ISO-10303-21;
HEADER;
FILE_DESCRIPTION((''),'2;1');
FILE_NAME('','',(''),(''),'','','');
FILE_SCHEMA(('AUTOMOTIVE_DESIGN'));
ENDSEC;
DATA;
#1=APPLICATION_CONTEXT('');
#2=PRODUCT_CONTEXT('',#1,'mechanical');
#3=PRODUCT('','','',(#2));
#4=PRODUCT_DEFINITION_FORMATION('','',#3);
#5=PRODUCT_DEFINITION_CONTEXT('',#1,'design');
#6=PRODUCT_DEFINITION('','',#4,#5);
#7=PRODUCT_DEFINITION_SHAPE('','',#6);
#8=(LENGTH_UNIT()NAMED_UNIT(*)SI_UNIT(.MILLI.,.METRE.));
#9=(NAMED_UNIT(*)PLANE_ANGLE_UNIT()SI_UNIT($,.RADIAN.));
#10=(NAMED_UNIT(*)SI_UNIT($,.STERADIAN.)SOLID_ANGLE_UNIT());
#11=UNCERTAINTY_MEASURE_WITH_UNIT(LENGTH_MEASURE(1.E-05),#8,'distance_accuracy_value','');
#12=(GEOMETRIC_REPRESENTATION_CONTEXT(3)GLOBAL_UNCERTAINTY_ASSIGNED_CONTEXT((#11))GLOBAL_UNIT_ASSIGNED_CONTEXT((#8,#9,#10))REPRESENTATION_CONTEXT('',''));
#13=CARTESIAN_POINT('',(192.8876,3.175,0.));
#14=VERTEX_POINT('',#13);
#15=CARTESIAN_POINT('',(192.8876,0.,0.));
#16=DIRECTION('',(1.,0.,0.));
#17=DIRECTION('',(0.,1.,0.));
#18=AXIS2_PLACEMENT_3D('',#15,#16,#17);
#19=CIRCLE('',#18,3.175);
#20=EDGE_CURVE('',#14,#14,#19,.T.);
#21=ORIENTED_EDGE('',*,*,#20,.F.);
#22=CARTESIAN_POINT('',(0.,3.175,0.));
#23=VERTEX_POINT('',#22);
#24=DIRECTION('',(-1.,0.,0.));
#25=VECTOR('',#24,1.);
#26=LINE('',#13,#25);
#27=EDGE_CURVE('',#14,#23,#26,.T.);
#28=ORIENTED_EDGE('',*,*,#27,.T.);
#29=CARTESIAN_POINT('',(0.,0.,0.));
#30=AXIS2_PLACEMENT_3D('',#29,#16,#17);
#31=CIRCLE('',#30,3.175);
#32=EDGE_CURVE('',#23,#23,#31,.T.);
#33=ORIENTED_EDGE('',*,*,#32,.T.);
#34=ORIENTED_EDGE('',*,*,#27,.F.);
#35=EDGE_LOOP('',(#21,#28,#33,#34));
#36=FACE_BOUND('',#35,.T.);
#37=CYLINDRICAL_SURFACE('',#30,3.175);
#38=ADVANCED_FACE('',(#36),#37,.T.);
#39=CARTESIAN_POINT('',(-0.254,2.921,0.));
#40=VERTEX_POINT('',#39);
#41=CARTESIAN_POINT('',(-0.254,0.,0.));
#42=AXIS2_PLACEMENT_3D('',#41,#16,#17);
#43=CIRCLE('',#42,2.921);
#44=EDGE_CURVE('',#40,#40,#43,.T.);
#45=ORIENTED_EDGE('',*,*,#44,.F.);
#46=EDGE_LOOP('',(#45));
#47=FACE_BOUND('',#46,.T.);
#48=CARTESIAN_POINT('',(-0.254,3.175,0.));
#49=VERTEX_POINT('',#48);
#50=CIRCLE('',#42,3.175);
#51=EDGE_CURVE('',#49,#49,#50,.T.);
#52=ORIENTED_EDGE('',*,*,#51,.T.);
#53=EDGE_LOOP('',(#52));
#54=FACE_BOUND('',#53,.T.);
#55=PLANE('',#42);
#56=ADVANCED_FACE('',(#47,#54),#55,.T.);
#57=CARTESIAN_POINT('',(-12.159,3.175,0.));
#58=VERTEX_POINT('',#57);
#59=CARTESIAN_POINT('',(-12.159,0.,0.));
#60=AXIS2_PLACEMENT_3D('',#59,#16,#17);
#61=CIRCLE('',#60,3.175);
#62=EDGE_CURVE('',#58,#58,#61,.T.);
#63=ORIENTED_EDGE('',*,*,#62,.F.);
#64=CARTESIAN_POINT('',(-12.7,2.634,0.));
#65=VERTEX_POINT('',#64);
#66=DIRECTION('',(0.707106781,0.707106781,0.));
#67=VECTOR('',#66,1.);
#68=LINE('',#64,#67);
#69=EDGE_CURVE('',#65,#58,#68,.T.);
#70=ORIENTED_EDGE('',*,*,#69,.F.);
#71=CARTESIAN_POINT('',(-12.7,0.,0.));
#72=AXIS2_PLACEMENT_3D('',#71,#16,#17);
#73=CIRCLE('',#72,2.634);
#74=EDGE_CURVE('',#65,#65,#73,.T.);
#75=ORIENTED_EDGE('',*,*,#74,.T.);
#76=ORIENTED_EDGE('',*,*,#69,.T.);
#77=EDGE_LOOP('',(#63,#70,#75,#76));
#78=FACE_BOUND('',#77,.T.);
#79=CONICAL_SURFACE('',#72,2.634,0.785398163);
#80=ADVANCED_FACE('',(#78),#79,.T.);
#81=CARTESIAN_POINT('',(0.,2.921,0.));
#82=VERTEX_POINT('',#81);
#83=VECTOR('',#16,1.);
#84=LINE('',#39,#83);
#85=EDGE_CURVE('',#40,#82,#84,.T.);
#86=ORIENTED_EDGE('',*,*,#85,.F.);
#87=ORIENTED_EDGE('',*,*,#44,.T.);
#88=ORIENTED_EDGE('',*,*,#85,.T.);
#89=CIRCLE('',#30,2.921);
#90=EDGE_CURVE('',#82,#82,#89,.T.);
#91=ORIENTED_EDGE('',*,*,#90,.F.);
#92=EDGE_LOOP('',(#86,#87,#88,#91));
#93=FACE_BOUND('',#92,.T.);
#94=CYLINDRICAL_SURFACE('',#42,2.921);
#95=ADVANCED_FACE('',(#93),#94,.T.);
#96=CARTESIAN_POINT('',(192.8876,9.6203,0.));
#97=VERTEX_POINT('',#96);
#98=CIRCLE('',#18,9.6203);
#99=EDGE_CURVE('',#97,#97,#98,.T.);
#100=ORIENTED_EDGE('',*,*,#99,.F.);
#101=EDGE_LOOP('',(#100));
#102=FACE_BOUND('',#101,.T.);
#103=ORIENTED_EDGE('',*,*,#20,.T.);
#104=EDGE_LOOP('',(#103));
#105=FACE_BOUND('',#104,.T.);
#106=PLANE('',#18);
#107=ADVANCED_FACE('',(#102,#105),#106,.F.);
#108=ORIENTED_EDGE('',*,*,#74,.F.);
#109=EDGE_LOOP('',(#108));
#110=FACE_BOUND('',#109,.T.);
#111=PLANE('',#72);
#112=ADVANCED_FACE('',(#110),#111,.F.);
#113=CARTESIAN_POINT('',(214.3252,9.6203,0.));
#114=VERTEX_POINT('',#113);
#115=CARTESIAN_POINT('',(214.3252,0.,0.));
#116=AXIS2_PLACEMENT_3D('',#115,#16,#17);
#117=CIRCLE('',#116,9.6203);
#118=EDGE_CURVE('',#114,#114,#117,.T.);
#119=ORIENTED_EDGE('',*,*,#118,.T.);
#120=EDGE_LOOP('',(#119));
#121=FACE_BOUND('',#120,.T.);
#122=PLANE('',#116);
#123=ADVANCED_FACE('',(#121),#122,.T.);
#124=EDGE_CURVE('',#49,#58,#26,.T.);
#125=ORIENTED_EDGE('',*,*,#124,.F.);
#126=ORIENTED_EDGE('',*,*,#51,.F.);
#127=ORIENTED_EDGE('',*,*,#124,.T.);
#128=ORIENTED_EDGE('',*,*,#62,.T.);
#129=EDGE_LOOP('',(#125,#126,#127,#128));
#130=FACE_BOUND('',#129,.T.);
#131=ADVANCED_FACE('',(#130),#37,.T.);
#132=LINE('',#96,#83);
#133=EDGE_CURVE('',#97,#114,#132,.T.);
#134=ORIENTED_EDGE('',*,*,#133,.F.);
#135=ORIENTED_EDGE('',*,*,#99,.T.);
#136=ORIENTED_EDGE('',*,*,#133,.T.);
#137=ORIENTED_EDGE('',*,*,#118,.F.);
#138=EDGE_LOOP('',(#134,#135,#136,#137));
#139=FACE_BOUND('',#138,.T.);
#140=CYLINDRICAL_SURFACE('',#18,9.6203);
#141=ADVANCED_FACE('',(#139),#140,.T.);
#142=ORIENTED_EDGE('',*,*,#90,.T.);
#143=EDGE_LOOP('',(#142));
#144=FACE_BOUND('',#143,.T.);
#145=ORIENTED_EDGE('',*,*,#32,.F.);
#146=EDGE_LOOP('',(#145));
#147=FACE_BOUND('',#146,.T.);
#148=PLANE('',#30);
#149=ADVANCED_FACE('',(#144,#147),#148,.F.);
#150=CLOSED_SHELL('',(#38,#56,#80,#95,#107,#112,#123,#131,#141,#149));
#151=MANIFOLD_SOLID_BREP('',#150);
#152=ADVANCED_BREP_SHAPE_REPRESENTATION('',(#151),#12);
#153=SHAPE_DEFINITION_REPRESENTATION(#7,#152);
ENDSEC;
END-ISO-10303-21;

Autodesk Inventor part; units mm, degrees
sketch "Sketch_1" plane through (0, 0, 0) normal (0, 0, 1) x (1, 0, 0)
  line L0 (214.3252, 0) -> (0, 0)
  line L1 (0, 0) -> (0, 3.175)
  line L2 (0, 3.175) -> (192.8876, 3.175)
  line L3 (192.8876, 3.175) -> (192.8876, 9.6203)
  line L4 (192.8876, 9.6203) -> (214.3252, 9.6203)
  line L5 (214.3252, 9.6203) -> (214.3252, 0)
  line L6 (214.3252, 0) -> (0, 0)
revolve "Revolution1" add sketch "Sketch_1" angle 360 about axis through (214.3252, 0, 0) along (1, 0, 0)
sketch "Sketch_3" plane through (0, 0, 0) normal (0, 0, 1) x (1, 0, 0)
  line L0 (0, 0) -> (-12.7, 0)
  line L1 (-12.7, 0) -> (-12.7, 2.634)
  line L2 (-12.7, 2.634) -> (-12.159, 3.175)
  line L3 (-12.159, 3.175) -> (0, 3.175)
  line L4 (0, 3.175) -> (0, 0)
  line L5 (0, 0) -> (-12.7, 0)
revolve "Revolution2" add sketch "Sketch_3" angle 360 about axis through (0, 0, 0) along (1, 0, 0)
sketch "Sketch_30" plane through (0, 0, 0) normal (0, 0, 1) x (1, 0, 0)
  line L0 (0, 0) -> (-0.254, 0)
  line L1 (-0.254, 3.429) -> (-0.254, 2.921)
  line L2 (-0.254, 2.921) -> (0, 2.921)
  line L3 (0, 2.921) -> (0, 3.429)
  line L4 (0, 3.429) -> (-0.254, 3.429)
revolve "Revolution3" cut sketch "Sketch_30" angle 360 about axis through (0, 0, 0) along (1, 0, 0)
ref_plane "dia1_XY" through (0, 3.175, 0) normal (1, 0, 0) x (0, 0, -1)
ref_plane "dia1_YZ" through (0, 3.175, 0) normal (0, 0, -1) x (0, 1, 0)
ref_plane "dia1_ZX" through (0, 3.175, 0) normal (0, 1, 0) x (1, 0, 0)
ref_plane "dia12_XY" through (0, 0, 10.9537) normal (1, 0, 0) x (0, 0, -1)
ref_plane "dia12_YZ" through (0, 0, 10.9537) normal (0, 0, -1) x (0, 1, 0)
ref_plane "dia12_ZX" through (0, 0, 10.9537) normal (0, 1, 0) x (1, 0, 0)
ref_plane "dia2_XY" through (0, -3.175, 0) normal (1, 0, 0) x (0, 0, -1)
ref_plane "dia2_YZ" through (0, -3.175, 0) normal (0, 0, -1) x (0, 1, 0)
ref_plane "dia2_ZX" through (0, -3.175, 0) normal (0, 1, 0) x (1, 0, 0)
ref_plane "dia22_XY" through (0, 0, -10.9537) normal (1, 0, 0) x (0, 0, -1)
ref_plane "dia22_YZ" through (0, 0, -10.9537) normal (0, 0, -1) x (0, 1, 0)
ref_plane "dia22_ZX" through (0, 0, -10.9537) normal (0, 1, 0) x (1, 0, 0)
ref_plane "hh1_XY" through (244.4496, 0, 0) normal (0, 0, 1) x (1, 0, 0)
ref_plane "hh1_YZ" through (244.4496, 0, 0) normal (1, 0, 0) x (0, 1, 0)
ref_plane "hh1_ZX" through (244.4496, 0, 0) normal (0, 1, 0) x (0, 0, 1)
ref_plane "hh2_XY" through (250.8504, 0, 0) normal (0, 0, 1) x (1, 0, 0)
ref_plane "hh2_YZ" through (250.8504, 0, 0) normal (1, 0, 0) x (0, 1, 0)
ref_plane "hh2_ZX" through (250.8504, 0, 0) normal (0, 1, 0) x (0, 0, 1)
ref_plane "rl1_XY" through (-12.7, 0, 0) normal (1, 0, 0) x (0, 0, -1)
ref_plane "rl1_YZ" through (-12.7, 0, 0) normal (0, 0, -1) x (0, 1, 0)
ref_plane "rl1_ZX" through (-12.7, 0, 0) normal (0, 1, 0) x (1, 0, 0)
ref_plane "rl2_XY" through (0, 0, 0) normal (1, 0, 0) x (0, 0, -1)
ref_plane "rl2_YZ" through (0, 0, 0) normal (0, 0, -1) x (0, 1, 0)
ref_plane "rl2_ZX" through (0, 0, 0) normal (0, 1, 0) x (1, 0, 0)
ref_plane "rod_cp_XY" through (0, 0, 0) normal (1, 0, 0) x (0, 0, -1)
ref_plane "rod_cp_YZ" through (0, 0, 0) normal (0, 0, -1) x (0, 1, 0)
ref_plane "rod_cp_ZX" through (0, 0, 0) normal (0, 1, 0) x (1, 0, 0)
ref_plane "thd1_XY" through (-12.7, 3.175, 0) normal (1, 0, 0) x (0, 0, -1)
ref_plane "thd1_YZ" through (-12.7, 3.175, 0) normal (0, 0, -1) x (0, 1, 0)
ref_plane "thd1_ZX" through (-12.7, 3.175, 0) normal (0, 1, 0) x (1, 0, 0)
ref_plane "thd2_XY" through (-12.7, -3.175, 0) normal (1, 0, 0) x (0, 0, -1)
ref_plane "thd2_YZ" through (-12.7, -3.175, 0) normal (0, 0, -1) x (0, 1, 0)
ref_plane "thd2_ZX" through (-12.7, -3.175, 0) normal (0, 1, 0) x (1, 0, 0)
ref_plane "to_rod_clevis_XY" through (-16.764, 0, 0) normal (1, 0, 0) x (0, 0, -1)
ref_plane "to_rod_clevis_YZ" through (-16.764, 0, 0) normal (0, 0, -1) x (0, 1, 0)
ref_plane "to_rod_clevis_ZX" through (-16.764, 0, 0) normal (0, 1, 0) x (1, 0, 0)
properties part number "046-DXP0_rod"
